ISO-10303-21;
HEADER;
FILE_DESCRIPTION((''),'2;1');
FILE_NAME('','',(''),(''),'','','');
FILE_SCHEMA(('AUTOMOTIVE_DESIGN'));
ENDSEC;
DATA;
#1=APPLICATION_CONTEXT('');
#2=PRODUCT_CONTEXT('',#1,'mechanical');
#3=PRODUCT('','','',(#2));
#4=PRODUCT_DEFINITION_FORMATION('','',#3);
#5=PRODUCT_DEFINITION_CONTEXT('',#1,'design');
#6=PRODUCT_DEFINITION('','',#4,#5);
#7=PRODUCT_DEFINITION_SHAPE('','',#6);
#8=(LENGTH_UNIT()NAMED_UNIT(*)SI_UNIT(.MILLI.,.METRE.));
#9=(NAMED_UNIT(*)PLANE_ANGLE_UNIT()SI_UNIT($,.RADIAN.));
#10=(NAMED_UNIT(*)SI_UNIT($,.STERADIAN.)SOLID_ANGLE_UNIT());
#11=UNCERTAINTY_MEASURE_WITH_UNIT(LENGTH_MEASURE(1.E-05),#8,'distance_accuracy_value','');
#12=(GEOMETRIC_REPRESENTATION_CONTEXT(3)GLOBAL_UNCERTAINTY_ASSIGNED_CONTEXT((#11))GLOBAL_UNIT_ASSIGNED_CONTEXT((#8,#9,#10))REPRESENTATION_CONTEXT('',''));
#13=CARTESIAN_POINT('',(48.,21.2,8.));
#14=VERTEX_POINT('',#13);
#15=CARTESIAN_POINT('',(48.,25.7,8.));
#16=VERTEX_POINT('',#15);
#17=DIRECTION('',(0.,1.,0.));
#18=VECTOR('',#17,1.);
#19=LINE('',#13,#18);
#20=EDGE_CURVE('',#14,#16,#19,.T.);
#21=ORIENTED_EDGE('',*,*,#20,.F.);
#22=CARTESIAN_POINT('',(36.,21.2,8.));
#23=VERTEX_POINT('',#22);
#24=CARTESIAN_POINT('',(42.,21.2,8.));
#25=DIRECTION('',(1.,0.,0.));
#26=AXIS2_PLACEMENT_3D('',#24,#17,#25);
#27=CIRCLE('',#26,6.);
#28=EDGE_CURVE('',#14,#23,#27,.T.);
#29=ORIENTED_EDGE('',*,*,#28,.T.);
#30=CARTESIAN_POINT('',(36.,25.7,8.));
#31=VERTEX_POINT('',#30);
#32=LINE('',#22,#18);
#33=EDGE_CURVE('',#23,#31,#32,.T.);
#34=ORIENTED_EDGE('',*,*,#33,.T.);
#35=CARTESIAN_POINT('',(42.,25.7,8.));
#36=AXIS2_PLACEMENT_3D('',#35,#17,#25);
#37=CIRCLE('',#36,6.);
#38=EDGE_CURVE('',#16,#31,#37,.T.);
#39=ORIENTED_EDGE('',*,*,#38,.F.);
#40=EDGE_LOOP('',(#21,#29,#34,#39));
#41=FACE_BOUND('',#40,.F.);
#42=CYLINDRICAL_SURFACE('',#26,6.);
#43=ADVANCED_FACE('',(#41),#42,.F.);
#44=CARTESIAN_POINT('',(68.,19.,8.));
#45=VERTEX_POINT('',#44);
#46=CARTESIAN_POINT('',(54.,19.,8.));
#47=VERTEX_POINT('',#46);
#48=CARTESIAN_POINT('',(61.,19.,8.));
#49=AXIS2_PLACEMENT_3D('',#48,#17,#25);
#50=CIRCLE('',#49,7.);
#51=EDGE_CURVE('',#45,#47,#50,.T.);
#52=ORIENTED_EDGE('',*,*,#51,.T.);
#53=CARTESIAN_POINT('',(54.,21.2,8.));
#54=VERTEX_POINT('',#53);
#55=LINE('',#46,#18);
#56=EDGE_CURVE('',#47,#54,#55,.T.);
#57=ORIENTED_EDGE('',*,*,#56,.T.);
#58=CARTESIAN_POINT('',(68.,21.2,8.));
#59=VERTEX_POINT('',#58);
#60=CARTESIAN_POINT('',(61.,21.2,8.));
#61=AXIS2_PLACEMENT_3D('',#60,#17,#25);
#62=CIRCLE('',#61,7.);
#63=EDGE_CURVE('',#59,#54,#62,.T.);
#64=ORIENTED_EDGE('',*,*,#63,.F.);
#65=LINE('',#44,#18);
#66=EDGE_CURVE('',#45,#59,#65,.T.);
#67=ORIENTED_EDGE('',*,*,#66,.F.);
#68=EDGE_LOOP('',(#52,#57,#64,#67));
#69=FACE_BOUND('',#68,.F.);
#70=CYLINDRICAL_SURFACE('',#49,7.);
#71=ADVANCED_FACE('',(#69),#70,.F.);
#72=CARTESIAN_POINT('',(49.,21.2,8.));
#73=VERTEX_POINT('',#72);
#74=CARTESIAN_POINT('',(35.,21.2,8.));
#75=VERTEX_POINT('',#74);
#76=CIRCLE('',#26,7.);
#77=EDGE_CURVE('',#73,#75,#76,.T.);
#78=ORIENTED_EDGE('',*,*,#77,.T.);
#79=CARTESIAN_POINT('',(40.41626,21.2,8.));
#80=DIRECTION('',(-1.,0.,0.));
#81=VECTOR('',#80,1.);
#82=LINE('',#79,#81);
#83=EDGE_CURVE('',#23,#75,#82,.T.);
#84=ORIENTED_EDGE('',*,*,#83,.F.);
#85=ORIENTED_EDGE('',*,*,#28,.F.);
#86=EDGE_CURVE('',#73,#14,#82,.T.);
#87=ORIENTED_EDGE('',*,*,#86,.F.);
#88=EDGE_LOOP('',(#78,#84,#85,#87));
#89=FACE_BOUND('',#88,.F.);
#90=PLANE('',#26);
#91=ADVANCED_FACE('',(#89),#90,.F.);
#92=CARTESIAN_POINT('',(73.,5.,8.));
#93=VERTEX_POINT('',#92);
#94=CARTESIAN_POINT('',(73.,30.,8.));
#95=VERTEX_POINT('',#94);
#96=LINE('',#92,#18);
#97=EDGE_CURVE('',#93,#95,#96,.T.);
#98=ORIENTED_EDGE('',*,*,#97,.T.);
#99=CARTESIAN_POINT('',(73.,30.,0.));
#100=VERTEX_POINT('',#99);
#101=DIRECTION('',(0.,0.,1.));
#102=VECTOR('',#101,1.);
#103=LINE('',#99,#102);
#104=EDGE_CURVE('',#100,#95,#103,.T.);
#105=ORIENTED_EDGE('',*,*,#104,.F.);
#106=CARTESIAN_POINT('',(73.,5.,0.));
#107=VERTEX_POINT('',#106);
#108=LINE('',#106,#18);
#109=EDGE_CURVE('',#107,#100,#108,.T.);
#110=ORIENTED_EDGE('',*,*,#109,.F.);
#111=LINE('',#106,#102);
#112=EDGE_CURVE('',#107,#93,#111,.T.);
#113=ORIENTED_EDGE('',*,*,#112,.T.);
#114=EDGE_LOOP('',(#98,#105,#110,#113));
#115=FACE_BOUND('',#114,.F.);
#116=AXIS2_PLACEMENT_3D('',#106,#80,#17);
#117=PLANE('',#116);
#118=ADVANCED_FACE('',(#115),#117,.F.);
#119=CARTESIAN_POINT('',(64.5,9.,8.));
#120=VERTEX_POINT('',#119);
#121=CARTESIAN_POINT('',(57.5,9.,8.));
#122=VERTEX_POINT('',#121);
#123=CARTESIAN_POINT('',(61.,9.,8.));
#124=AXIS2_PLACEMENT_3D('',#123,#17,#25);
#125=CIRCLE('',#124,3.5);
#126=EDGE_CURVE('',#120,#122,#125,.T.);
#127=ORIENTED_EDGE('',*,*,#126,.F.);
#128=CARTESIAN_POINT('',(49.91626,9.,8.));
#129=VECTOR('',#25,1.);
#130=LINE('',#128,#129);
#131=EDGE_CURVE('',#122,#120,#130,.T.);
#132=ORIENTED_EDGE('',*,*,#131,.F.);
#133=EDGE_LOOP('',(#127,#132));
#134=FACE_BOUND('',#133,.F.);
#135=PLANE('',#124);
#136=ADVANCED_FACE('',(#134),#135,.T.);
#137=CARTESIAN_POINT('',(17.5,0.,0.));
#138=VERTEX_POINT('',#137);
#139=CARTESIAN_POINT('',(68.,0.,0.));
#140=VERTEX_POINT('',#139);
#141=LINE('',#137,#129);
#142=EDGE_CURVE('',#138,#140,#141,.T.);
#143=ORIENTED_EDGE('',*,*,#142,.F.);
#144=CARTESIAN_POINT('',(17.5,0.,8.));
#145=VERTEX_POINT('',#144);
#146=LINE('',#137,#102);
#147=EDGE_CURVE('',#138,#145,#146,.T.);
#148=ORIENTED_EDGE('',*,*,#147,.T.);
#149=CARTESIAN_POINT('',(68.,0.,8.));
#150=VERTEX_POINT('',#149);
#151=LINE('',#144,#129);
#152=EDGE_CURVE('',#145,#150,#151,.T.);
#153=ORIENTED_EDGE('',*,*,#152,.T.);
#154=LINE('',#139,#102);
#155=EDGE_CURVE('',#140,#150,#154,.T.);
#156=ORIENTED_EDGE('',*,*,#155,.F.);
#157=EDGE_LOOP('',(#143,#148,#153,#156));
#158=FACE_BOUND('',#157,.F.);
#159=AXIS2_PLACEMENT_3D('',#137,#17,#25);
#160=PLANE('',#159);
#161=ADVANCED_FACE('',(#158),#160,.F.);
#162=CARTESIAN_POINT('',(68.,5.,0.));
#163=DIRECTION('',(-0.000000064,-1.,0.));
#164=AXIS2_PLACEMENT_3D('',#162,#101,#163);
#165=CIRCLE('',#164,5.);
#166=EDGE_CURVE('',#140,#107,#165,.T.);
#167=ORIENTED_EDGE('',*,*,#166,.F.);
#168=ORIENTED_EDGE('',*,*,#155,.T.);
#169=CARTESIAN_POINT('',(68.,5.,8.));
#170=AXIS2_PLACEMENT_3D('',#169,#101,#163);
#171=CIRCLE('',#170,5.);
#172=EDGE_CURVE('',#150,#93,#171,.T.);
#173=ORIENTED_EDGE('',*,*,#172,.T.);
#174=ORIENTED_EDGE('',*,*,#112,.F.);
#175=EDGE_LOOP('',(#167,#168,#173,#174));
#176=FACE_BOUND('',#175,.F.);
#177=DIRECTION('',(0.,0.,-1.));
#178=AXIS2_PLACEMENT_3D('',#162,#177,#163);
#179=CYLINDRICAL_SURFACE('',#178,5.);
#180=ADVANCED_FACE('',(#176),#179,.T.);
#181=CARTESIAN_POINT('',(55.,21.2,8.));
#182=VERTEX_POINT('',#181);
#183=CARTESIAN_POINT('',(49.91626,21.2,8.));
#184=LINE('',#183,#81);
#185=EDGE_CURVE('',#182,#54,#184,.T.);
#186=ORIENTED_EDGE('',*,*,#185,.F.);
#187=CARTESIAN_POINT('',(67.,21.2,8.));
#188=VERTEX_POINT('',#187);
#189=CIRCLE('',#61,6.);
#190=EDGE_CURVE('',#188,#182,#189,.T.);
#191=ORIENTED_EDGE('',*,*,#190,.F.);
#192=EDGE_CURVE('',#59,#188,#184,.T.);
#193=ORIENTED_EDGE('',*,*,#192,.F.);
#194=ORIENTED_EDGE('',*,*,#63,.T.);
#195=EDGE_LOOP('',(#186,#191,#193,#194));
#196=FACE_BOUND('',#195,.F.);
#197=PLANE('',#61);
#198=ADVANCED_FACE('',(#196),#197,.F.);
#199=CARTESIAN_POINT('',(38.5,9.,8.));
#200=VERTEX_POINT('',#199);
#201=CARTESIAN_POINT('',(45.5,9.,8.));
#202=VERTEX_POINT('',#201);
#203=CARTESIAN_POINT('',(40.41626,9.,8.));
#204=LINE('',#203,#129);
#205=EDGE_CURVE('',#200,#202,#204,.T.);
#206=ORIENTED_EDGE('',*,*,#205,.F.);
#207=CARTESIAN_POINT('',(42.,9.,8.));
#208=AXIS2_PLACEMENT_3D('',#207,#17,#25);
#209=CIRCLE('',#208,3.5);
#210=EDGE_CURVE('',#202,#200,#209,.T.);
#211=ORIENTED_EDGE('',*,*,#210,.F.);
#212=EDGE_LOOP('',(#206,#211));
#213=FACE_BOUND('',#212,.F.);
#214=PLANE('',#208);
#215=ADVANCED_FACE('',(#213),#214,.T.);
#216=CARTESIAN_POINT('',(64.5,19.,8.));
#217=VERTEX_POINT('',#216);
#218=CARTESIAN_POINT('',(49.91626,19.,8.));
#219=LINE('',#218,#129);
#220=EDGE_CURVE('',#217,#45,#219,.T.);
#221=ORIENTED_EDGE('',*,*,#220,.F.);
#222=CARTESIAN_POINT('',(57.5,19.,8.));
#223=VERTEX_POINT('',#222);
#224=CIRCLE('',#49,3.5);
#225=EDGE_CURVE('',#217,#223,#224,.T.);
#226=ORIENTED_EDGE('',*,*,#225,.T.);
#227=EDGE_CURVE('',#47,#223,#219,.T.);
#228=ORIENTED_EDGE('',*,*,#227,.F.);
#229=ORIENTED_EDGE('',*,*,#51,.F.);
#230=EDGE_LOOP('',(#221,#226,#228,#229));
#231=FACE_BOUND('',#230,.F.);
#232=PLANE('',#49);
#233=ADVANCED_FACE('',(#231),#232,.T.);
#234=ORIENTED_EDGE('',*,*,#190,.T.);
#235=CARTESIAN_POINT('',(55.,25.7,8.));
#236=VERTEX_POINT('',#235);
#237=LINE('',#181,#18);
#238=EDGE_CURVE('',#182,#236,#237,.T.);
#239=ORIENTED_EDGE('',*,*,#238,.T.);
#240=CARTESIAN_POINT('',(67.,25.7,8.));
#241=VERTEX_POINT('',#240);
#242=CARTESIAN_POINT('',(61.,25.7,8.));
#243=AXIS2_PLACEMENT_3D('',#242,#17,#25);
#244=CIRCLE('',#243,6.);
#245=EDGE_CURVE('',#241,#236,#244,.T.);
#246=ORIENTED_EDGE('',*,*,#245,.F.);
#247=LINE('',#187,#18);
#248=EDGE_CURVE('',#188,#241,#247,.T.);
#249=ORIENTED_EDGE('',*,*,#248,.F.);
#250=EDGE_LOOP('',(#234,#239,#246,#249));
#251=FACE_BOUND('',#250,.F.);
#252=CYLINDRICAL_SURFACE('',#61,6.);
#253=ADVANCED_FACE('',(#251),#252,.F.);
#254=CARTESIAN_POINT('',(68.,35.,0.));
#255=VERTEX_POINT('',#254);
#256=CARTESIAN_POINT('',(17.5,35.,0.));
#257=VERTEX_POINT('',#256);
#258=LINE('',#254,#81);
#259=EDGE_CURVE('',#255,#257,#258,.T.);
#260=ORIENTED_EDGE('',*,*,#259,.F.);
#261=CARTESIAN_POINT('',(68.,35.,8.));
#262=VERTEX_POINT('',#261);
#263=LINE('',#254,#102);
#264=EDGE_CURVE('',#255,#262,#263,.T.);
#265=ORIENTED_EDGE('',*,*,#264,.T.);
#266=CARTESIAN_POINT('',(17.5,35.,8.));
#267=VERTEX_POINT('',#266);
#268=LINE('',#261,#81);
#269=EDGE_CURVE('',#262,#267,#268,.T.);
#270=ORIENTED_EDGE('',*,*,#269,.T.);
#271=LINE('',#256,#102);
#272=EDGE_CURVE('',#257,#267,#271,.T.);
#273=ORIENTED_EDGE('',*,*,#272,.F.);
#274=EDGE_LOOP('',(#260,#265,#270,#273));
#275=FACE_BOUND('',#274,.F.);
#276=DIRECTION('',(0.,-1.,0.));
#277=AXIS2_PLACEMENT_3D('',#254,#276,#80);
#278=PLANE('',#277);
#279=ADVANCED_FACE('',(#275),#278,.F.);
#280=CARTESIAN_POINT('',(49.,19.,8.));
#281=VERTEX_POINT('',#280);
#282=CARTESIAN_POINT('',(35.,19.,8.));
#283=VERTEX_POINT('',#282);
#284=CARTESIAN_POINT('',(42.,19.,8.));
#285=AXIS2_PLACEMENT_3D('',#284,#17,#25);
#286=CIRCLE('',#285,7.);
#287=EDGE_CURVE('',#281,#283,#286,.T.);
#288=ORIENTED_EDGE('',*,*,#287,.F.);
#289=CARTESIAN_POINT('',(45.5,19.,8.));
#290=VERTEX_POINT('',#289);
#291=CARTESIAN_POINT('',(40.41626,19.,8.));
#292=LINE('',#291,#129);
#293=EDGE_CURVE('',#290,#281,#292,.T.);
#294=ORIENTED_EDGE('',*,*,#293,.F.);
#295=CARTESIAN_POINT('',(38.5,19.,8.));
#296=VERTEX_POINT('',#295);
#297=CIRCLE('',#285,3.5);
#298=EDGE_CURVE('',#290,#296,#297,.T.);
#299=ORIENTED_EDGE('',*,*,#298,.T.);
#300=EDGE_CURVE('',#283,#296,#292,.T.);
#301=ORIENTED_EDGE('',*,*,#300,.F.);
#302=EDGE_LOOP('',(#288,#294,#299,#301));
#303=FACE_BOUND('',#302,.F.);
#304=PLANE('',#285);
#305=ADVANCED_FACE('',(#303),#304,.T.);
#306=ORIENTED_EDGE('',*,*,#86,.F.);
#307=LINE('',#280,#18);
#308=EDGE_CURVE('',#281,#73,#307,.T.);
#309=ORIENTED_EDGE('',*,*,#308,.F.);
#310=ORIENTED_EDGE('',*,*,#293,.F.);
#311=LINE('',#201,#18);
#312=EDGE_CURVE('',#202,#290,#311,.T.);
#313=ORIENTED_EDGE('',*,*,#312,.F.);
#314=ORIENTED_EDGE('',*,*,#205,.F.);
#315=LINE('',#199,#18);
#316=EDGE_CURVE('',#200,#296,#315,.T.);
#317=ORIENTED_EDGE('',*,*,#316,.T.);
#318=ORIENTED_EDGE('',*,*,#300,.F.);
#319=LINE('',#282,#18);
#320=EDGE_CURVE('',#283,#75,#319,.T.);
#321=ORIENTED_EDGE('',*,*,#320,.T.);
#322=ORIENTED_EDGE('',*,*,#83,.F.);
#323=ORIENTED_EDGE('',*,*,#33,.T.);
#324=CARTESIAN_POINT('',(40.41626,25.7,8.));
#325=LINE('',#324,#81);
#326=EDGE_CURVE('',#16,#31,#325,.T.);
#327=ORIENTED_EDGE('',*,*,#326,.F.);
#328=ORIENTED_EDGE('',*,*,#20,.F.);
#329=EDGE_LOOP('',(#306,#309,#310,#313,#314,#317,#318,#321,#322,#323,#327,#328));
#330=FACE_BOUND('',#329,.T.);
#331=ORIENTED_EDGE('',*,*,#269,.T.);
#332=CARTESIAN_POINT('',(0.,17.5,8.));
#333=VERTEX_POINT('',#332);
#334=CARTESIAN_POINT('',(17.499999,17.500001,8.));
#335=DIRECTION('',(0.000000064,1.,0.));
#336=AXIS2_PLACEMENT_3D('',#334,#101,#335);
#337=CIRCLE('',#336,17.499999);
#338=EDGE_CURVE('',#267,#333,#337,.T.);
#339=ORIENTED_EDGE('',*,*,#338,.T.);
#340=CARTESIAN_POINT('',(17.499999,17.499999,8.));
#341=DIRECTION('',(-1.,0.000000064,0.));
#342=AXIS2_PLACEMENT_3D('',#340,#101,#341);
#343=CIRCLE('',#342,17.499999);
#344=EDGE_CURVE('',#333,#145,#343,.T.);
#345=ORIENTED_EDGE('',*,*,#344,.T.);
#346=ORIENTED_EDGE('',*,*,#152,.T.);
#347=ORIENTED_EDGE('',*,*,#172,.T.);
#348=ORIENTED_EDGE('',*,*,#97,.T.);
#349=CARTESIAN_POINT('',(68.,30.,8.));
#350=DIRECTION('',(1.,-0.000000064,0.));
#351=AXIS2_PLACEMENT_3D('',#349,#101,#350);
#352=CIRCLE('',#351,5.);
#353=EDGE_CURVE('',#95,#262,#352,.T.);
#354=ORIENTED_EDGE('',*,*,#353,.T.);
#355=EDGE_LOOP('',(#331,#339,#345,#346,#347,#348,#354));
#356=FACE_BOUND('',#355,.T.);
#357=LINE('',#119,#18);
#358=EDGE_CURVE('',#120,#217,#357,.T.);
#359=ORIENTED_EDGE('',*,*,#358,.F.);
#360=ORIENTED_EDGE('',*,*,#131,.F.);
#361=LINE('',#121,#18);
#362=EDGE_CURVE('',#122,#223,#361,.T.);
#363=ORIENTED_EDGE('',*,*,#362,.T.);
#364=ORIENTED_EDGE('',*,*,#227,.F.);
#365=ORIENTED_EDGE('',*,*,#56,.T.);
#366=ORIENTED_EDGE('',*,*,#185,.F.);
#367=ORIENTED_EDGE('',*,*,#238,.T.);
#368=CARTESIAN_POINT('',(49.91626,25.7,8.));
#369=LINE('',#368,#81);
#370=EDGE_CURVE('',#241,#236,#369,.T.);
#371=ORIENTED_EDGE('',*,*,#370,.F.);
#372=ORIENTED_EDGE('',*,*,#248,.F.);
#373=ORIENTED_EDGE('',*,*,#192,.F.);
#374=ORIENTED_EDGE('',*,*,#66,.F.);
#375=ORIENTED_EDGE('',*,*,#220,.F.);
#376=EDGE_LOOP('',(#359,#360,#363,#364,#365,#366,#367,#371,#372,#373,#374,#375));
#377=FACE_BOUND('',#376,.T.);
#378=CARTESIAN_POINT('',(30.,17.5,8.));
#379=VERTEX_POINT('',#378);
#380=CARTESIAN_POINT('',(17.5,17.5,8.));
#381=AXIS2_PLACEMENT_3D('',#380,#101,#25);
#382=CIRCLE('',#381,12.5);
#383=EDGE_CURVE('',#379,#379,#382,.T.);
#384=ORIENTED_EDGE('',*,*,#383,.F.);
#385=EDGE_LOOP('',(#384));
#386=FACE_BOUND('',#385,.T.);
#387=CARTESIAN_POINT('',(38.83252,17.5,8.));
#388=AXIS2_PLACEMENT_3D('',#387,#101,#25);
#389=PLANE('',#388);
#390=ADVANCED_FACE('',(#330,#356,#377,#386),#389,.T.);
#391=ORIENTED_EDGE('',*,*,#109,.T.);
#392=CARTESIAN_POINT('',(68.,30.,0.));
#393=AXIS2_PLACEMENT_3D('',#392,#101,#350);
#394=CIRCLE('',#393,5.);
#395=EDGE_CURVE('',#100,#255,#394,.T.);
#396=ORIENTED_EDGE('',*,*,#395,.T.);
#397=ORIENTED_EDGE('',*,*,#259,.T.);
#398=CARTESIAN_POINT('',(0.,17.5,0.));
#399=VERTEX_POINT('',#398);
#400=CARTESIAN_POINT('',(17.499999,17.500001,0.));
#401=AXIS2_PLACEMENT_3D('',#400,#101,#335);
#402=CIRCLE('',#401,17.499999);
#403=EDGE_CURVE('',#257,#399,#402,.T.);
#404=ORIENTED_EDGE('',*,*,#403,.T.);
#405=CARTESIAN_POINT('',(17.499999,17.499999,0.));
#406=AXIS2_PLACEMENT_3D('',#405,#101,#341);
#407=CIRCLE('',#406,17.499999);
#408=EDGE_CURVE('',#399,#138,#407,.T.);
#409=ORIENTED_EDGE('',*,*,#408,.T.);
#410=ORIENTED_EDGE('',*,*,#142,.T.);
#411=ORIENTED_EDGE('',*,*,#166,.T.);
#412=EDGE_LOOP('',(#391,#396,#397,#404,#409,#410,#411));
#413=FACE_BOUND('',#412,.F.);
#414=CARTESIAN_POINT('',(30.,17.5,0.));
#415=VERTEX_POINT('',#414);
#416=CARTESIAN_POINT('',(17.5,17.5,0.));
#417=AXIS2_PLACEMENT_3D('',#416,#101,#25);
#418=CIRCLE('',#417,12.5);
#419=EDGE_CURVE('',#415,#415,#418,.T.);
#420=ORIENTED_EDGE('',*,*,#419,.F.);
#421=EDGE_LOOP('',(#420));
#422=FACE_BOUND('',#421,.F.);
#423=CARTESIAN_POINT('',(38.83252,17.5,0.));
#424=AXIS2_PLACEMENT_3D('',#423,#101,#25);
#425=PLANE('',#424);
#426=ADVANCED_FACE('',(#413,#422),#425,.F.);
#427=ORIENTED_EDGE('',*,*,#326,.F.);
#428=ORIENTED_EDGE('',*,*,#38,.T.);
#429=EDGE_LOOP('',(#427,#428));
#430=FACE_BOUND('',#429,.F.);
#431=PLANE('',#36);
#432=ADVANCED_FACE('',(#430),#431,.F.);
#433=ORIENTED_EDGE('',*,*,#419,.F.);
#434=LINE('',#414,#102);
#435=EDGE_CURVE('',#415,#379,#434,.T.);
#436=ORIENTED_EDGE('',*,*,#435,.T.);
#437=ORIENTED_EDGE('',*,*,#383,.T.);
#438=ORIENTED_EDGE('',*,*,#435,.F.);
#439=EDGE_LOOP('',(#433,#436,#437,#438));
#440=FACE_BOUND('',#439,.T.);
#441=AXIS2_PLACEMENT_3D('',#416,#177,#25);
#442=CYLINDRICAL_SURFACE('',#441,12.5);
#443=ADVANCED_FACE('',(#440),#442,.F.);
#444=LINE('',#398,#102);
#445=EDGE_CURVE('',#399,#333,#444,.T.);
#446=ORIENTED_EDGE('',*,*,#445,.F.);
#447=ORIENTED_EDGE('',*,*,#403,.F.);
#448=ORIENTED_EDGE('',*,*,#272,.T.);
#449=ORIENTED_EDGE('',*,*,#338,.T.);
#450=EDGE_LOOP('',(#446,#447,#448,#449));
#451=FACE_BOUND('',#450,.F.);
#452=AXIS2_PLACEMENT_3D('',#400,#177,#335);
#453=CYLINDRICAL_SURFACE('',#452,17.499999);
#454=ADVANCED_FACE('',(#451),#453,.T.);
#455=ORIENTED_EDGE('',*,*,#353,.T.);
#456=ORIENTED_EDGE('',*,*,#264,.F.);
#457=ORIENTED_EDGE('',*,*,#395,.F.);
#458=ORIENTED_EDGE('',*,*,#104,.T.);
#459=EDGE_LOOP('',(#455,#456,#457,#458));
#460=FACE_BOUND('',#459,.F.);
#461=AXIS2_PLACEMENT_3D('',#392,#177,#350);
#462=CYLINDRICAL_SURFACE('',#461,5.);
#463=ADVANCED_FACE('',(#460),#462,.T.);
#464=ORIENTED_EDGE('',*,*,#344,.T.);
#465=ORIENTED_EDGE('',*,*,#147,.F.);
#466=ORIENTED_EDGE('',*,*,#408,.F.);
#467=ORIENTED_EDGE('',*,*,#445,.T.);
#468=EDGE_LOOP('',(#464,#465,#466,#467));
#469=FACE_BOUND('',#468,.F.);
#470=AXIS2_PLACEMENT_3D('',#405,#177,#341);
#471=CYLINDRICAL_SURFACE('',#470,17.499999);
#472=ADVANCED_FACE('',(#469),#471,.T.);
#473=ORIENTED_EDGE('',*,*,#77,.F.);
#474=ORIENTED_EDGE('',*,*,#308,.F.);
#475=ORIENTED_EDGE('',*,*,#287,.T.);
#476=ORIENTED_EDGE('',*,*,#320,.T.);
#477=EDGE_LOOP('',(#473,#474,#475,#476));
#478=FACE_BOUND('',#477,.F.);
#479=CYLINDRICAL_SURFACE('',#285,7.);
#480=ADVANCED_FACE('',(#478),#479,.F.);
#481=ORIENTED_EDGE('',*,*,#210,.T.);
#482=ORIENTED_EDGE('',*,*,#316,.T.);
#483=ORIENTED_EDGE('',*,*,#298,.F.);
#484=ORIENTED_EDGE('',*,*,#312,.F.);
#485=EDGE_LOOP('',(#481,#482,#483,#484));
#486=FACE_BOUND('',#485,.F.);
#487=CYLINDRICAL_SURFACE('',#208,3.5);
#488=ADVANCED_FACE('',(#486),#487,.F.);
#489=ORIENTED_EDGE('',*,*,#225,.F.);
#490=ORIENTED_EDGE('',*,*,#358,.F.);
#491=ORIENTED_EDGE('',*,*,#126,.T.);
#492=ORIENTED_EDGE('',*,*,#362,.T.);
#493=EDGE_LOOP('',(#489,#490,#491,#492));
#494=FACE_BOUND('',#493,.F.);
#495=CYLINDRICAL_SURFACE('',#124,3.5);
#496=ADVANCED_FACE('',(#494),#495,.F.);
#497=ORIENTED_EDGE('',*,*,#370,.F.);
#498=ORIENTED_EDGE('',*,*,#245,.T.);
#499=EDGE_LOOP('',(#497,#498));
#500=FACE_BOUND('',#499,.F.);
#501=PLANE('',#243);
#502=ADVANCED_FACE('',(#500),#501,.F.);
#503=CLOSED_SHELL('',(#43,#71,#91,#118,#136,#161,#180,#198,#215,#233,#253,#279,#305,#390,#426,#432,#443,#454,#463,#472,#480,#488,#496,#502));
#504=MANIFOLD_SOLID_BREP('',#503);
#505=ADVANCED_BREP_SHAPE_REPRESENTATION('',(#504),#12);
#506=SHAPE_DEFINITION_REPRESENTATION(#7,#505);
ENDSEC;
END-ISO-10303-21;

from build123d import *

# Parameters (mm, degrees)
F0_R     = 12.5
F1_DEPTH = 8


with BuildPart() as f1:
    # F0 (on Top) → F1 (new body)
    with BuildSketch(Plane.XY):
        with BuildLine():
            ThreePointArc((0, 17.5), (5.125631, 5.125631), (17.5, 0))
            Line((17.5, 0), (68, 0))
            ThreePointArc((68, 0), (71.535534, 1.464466), (73, 5))
            Line((73, 5), (73, 30))
            ThreePointArc((73, 30), (71.535534, 33.535534), (68, 35))
            Line((68, 35), (17.5, 35))
            ThreePointArc((17.5, 35), (5.125631, 29.874369), (0, 17.5))
        make_face()
        with Locations((17.5, 17.5)):
            Circle(F0_R, mode=Mode.SUBTRACT)
    extrude(amount=F1_DEPTH)

    # F2 (on face) → F3 (revolve, cut)
    with BuildSketch(Plane.XY.offset(8)):
        Polygon((42, 19), (42, 9), (45.5, 9), (45.5, 19), (49, 19), (49, 21.2), (48, 21.2), (48, 25.7), (42, 25.7), (42, 21.2), align=None)
    revolve(axis=Axis((42, 14, 8), (0, 1, 0)), mode=Mode.SUBTRACT)

    # F2 (on face) → F4 (revolve, cut)
    with BuildSketch(Plane.XY.offset(8)):
        Polygon((61, 19), (61, 9), (64.5, 9), (64.5, 19), (68, 19), (68, 21.2), (67, 21.2), (67, 25.7), (61, 25.7), (61, 21.2), align=None)
    revolve(axis=Axis((61, 14, 8), (0, 1, 0)), mode=Mode.SUBTRACT)


solid = f1.part
